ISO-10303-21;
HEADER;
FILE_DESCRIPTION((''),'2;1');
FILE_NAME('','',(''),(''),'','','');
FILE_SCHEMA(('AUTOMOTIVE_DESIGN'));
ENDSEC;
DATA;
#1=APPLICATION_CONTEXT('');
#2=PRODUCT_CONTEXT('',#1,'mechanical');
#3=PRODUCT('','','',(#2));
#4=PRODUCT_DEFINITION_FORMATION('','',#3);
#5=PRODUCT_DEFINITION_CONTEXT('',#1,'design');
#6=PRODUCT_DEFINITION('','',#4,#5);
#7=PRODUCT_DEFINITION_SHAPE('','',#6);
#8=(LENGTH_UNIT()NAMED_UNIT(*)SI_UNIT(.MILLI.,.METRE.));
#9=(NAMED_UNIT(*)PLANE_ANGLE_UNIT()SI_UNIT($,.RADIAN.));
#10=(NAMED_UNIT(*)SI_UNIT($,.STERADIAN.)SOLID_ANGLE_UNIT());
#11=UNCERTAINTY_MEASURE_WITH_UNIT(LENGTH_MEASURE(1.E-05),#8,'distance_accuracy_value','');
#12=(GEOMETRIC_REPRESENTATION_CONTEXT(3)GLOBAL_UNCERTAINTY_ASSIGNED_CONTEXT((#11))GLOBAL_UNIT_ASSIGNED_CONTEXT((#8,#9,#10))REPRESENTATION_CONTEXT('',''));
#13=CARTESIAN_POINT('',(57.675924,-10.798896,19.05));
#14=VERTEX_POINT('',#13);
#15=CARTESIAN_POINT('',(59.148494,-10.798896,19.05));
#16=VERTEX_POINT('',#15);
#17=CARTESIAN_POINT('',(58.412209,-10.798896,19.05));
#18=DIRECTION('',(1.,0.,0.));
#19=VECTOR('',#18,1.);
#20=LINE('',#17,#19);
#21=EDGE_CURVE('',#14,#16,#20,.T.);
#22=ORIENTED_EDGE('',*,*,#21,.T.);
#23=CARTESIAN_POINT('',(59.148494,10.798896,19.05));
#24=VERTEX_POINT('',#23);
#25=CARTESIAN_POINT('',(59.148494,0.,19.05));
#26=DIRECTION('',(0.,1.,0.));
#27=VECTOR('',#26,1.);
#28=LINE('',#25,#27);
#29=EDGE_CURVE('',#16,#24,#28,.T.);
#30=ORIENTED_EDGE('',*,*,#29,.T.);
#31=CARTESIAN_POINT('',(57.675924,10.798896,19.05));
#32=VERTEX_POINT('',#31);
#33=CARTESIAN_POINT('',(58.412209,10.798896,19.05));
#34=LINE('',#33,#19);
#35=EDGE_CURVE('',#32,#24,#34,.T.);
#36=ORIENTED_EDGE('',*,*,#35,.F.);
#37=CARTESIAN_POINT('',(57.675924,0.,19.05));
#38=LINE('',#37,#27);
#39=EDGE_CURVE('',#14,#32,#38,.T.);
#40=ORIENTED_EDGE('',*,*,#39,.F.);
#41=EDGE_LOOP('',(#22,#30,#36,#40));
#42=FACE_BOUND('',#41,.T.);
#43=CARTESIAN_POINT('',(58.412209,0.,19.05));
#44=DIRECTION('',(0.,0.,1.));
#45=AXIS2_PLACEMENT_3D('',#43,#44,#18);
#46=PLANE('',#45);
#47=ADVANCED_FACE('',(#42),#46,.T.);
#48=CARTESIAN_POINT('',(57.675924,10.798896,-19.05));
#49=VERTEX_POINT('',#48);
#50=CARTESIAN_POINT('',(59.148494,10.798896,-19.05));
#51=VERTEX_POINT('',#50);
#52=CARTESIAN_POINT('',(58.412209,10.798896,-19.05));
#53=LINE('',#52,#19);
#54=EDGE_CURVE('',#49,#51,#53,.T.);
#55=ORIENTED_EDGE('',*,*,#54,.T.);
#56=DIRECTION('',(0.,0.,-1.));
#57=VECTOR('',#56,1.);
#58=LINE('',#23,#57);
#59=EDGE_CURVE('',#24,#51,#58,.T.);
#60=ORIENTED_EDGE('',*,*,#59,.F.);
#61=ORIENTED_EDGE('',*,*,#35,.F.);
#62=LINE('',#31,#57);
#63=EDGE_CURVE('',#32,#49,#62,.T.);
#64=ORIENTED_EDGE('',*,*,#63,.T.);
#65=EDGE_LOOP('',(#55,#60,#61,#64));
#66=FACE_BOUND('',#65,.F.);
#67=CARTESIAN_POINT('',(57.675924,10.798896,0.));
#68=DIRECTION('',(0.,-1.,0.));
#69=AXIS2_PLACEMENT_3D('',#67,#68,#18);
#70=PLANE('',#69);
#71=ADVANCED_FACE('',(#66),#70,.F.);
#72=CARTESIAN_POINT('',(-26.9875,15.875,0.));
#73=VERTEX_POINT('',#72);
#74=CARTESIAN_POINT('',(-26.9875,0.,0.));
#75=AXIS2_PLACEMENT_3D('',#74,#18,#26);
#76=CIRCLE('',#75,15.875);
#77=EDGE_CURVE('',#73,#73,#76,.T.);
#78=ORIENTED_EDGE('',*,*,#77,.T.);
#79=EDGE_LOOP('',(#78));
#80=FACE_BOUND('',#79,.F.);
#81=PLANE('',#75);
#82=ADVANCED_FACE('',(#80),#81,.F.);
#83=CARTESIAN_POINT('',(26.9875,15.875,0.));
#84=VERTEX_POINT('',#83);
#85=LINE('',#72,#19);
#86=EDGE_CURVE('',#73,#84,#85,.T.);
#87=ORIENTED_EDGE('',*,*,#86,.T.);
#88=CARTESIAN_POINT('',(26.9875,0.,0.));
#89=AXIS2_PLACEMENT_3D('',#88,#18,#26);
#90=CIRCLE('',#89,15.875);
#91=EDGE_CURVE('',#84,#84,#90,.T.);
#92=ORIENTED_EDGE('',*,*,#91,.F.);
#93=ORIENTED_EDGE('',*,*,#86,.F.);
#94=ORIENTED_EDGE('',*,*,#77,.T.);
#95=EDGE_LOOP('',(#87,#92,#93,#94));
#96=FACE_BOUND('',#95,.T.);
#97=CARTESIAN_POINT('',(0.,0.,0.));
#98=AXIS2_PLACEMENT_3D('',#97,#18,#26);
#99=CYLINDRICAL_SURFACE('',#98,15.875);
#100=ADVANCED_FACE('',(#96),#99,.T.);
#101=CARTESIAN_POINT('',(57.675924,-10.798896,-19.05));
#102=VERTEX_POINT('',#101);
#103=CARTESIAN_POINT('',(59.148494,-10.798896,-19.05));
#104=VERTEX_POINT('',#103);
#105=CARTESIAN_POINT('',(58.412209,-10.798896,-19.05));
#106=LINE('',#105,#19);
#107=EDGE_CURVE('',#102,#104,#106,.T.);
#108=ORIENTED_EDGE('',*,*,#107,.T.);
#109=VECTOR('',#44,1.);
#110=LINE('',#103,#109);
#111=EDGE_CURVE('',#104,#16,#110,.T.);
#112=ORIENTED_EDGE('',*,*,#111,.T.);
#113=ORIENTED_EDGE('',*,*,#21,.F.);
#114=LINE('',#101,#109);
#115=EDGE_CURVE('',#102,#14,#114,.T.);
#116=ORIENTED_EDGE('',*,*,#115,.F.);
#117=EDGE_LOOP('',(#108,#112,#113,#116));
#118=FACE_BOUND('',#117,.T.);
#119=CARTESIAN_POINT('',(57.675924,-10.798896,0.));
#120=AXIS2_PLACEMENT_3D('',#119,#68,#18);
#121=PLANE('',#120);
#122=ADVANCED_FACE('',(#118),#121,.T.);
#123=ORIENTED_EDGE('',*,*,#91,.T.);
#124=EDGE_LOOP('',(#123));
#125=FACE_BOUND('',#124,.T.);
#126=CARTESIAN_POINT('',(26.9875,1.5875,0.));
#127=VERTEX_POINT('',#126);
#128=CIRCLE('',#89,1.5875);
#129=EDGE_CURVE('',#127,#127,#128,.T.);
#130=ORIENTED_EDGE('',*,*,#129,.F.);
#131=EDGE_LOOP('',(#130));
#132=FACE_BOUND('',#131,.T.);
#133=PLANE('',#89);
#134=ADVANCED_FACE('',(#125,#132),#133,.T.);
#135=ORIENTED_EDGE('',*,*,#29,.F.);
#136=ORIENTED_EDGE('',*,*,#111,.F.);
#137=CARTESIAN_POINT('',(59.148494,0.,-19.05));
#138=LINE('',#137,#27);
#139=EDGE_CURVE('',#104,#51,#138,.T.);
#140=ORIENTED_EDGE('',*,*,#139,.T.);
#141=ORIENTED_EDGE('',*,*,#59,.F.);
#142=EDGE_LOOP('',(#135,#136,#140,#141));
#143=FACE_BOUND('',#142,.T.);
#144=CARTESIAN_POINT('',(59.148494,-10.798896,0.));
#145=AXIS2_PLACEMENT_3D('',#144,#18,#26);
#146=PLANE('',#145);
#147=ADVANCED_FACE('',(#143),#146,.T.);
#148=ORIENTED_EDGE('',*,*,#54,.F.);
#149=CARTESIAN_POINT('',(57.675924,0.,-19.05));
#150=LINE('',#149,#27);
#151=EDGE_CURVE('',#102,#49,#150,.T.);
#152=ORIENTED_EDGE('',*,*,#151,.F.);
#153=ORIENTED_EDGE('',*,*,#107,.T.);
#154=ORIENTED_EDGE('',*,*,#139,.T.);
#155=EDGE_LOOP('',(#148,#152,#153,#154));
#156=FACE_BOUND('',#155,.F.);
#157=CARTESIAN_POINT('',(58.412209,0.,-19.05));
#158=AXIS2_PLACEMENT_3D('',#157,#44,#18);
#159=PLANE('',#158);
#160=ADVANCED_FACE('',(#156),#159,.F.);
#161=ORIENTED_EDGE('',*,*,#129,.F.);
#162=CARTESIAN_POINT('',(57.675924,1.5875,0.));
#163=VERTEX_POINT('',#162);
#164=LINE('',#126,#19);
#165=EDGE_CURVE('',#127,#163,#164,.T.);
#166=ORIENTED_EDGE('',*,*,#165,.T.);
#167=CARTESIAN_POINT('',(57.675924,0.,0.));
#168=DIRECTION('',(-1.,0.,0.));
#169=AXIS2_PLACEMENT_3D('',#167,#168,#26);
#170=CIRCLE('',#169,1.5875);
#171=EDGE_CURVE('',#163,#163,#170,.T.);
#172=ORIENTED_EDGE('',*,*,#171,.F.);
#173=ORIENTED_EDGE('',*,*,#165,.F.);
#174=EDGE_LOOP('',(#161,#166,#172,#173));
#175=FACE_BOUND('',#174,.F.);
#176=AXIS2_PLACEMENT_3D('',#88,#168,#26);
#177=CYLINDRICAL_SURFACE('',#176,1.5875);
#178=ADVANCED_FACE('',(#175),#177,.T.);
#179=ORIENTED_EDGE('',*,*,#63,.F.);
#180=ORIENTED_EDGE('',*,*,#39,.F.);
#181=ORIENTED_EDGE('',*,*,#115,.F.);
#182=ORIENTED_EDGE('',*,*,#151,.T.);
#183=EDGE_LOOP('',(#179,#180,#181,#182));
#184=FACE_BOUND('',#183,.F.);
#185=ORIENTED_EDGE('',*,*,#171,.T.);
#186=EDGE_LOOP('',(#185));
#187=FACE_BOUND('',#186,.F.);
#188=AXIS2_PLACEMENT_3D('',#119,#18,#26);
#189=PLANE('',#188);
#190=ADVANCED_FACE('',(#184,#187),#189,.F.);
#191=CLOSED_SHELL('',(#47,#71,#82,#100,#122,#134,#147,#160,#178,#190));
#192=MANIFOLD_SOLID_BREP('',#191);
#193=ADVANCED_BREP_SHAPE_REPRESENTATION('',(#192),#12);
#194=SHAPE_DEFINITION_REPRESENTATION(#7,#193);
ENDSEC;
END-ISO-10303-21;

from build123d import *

# Parameters (mm, degrees)
F0_R     = 15.875
F1_DEPTH = 26.9875
F2_R     = 1.5875
F3_DEPTH = 31.75
F4_W     = 1.47257
F4_H     = 21.597792
F5_DEPTH = 19.05


with BuildPart() as f1:
    # F0 (on Right) → F1 (new body, symmetric)
    with BuildSketch(Plane.YZ):
        Circle(F0_R)
    extrude(amount=F1_DEPTH, both=True)

    # F2 (on face) → F3 (join)
    with BuildSketch(Plane.YZ.offset(26.9875)):
        Circle(F2_R)
    extrude(amount=F3_DEPTH)

    # F4 (on Top) → F5 (join, symmetric)
    with BuildSketch(Plane.XY):
        with Locations((58.412209, 0)):
            Rectangle(F4_W, F4_H)
    extrude(amount=F5_DEPTH, both=True)


solid = f1.part
